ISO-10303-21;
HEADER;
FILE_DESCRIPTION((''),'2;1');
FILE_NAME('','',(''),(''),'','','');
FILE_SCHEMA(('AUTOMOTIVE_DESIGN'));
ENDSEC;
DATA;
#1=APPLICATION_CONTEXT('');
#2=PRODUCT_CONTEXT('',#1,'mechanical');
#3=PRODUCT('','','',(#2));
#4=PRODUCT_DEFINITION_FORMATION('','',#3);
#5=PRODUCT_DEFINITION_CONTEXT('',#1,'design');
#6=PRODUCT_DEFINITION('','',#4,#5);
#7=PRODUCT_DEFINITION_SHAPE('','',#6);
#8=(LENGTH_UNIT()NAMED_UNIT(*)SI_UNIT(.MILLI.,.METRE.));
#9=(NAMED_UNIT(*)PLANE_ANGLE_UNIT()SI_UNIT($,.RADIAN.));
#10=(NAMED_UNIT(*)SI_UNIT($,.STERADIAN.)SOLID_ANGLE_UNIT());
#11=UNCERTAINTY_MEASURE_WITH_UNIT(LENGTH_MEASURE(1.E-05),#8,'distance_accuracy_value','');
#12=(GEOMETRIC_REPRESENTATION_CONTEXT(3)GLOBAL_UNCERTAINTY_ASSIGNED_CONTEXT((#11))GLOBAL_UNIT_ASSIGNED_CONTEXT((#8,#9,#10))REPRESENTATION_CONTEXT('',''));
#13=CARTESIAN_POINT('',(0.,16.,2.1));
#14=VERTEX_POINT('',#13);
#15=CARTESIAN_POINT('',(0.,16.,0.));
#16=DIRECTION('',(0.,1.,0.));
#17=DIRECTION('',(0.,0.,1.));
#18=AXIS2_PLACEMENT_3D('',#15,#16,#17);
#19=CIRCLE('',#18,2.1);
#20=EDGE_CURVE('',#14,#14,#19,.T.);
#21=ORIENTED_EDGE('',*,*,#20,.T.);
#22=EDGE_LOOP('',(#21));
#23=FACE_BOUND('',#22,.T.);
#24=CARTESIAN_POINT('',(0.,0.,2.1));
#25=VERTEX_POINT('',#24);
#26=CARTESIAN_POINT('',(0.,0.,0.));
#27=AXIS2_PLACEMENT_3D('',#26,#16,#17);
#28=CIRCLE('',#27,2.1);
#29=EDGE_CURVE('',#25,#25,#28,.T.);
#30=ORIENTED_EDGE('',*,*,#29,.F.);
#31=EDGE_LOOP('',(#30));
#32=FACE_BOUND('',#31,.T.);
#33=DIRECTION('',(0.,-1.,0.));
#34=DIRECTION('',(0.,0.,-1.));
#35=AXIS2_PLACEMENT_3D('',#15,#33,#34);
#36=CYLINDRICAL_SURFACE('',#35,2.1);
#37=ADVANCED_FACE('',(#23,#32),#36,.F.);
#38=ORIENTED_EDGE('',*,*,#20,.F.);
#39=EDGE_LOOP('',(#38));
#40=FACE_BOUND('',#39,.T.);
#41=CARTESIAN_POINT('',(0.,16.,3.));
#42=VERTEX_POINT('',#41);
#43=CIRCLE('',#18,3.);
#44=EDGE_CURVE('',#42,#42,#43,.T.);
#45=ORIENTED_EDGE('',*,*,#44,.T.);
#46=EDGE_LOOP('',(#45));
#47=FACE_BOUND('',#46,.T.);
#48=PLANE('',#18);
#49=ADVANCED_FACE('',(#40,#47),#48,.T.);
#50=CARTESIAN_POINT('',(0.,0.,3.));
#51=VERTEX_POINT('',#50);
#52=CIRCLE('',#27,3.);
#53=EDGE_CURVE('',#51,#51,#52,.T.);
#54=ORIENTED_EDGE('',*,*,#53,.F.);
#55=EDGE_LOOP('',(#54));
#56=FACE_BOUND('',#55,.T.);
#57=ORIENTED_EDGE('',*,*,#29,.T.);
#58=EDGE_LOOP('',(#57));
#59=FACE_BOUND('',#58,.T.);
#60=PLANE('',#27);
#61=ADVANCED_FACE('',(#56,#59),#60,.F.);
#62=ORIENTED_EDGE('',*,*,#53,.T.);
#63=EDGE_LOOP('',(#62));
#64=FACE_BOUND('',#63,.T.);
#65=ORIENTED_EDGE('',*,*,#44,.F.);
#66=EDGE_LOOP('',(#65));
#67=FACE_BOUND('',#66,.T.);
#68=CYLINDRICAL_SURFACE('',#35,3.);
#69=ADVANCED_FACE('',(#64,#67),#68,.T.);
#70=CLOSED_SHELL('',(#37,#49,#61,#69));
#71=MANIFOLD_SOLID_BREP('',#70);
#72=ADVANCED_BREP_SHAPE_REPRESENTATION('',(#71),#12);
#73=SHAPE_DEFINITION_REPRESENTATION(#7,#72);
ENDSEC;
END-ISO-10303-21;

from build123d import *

# Parameters (mm, degrees)
SKETCH1_R           = 3
SKETCH1_R_2         = 2.1
BOSS_EXTRUDE1_DEPTH = 16


with BuildPart() as part:
    # Sketch1 → Boss-Extrude1 (new body)
    with BuildSketch(Plane(origin=(0, 0, 0), x_dir=(1, 0, 0), z_dir=(0, 1, 0))):
        with Locations(Location((0, 0, 0), (0, 0, 270))):
            Circle(SKETCH1_R)
        with Locations(Location((0, 0, 0), (0, 0, 270))):
            Circle(SKETCH1_R_2, mode=Mode.SUBTRACT)
    extrude(amount=BOSS_EXTRUDE1_DEPTH)


solid = part.part
